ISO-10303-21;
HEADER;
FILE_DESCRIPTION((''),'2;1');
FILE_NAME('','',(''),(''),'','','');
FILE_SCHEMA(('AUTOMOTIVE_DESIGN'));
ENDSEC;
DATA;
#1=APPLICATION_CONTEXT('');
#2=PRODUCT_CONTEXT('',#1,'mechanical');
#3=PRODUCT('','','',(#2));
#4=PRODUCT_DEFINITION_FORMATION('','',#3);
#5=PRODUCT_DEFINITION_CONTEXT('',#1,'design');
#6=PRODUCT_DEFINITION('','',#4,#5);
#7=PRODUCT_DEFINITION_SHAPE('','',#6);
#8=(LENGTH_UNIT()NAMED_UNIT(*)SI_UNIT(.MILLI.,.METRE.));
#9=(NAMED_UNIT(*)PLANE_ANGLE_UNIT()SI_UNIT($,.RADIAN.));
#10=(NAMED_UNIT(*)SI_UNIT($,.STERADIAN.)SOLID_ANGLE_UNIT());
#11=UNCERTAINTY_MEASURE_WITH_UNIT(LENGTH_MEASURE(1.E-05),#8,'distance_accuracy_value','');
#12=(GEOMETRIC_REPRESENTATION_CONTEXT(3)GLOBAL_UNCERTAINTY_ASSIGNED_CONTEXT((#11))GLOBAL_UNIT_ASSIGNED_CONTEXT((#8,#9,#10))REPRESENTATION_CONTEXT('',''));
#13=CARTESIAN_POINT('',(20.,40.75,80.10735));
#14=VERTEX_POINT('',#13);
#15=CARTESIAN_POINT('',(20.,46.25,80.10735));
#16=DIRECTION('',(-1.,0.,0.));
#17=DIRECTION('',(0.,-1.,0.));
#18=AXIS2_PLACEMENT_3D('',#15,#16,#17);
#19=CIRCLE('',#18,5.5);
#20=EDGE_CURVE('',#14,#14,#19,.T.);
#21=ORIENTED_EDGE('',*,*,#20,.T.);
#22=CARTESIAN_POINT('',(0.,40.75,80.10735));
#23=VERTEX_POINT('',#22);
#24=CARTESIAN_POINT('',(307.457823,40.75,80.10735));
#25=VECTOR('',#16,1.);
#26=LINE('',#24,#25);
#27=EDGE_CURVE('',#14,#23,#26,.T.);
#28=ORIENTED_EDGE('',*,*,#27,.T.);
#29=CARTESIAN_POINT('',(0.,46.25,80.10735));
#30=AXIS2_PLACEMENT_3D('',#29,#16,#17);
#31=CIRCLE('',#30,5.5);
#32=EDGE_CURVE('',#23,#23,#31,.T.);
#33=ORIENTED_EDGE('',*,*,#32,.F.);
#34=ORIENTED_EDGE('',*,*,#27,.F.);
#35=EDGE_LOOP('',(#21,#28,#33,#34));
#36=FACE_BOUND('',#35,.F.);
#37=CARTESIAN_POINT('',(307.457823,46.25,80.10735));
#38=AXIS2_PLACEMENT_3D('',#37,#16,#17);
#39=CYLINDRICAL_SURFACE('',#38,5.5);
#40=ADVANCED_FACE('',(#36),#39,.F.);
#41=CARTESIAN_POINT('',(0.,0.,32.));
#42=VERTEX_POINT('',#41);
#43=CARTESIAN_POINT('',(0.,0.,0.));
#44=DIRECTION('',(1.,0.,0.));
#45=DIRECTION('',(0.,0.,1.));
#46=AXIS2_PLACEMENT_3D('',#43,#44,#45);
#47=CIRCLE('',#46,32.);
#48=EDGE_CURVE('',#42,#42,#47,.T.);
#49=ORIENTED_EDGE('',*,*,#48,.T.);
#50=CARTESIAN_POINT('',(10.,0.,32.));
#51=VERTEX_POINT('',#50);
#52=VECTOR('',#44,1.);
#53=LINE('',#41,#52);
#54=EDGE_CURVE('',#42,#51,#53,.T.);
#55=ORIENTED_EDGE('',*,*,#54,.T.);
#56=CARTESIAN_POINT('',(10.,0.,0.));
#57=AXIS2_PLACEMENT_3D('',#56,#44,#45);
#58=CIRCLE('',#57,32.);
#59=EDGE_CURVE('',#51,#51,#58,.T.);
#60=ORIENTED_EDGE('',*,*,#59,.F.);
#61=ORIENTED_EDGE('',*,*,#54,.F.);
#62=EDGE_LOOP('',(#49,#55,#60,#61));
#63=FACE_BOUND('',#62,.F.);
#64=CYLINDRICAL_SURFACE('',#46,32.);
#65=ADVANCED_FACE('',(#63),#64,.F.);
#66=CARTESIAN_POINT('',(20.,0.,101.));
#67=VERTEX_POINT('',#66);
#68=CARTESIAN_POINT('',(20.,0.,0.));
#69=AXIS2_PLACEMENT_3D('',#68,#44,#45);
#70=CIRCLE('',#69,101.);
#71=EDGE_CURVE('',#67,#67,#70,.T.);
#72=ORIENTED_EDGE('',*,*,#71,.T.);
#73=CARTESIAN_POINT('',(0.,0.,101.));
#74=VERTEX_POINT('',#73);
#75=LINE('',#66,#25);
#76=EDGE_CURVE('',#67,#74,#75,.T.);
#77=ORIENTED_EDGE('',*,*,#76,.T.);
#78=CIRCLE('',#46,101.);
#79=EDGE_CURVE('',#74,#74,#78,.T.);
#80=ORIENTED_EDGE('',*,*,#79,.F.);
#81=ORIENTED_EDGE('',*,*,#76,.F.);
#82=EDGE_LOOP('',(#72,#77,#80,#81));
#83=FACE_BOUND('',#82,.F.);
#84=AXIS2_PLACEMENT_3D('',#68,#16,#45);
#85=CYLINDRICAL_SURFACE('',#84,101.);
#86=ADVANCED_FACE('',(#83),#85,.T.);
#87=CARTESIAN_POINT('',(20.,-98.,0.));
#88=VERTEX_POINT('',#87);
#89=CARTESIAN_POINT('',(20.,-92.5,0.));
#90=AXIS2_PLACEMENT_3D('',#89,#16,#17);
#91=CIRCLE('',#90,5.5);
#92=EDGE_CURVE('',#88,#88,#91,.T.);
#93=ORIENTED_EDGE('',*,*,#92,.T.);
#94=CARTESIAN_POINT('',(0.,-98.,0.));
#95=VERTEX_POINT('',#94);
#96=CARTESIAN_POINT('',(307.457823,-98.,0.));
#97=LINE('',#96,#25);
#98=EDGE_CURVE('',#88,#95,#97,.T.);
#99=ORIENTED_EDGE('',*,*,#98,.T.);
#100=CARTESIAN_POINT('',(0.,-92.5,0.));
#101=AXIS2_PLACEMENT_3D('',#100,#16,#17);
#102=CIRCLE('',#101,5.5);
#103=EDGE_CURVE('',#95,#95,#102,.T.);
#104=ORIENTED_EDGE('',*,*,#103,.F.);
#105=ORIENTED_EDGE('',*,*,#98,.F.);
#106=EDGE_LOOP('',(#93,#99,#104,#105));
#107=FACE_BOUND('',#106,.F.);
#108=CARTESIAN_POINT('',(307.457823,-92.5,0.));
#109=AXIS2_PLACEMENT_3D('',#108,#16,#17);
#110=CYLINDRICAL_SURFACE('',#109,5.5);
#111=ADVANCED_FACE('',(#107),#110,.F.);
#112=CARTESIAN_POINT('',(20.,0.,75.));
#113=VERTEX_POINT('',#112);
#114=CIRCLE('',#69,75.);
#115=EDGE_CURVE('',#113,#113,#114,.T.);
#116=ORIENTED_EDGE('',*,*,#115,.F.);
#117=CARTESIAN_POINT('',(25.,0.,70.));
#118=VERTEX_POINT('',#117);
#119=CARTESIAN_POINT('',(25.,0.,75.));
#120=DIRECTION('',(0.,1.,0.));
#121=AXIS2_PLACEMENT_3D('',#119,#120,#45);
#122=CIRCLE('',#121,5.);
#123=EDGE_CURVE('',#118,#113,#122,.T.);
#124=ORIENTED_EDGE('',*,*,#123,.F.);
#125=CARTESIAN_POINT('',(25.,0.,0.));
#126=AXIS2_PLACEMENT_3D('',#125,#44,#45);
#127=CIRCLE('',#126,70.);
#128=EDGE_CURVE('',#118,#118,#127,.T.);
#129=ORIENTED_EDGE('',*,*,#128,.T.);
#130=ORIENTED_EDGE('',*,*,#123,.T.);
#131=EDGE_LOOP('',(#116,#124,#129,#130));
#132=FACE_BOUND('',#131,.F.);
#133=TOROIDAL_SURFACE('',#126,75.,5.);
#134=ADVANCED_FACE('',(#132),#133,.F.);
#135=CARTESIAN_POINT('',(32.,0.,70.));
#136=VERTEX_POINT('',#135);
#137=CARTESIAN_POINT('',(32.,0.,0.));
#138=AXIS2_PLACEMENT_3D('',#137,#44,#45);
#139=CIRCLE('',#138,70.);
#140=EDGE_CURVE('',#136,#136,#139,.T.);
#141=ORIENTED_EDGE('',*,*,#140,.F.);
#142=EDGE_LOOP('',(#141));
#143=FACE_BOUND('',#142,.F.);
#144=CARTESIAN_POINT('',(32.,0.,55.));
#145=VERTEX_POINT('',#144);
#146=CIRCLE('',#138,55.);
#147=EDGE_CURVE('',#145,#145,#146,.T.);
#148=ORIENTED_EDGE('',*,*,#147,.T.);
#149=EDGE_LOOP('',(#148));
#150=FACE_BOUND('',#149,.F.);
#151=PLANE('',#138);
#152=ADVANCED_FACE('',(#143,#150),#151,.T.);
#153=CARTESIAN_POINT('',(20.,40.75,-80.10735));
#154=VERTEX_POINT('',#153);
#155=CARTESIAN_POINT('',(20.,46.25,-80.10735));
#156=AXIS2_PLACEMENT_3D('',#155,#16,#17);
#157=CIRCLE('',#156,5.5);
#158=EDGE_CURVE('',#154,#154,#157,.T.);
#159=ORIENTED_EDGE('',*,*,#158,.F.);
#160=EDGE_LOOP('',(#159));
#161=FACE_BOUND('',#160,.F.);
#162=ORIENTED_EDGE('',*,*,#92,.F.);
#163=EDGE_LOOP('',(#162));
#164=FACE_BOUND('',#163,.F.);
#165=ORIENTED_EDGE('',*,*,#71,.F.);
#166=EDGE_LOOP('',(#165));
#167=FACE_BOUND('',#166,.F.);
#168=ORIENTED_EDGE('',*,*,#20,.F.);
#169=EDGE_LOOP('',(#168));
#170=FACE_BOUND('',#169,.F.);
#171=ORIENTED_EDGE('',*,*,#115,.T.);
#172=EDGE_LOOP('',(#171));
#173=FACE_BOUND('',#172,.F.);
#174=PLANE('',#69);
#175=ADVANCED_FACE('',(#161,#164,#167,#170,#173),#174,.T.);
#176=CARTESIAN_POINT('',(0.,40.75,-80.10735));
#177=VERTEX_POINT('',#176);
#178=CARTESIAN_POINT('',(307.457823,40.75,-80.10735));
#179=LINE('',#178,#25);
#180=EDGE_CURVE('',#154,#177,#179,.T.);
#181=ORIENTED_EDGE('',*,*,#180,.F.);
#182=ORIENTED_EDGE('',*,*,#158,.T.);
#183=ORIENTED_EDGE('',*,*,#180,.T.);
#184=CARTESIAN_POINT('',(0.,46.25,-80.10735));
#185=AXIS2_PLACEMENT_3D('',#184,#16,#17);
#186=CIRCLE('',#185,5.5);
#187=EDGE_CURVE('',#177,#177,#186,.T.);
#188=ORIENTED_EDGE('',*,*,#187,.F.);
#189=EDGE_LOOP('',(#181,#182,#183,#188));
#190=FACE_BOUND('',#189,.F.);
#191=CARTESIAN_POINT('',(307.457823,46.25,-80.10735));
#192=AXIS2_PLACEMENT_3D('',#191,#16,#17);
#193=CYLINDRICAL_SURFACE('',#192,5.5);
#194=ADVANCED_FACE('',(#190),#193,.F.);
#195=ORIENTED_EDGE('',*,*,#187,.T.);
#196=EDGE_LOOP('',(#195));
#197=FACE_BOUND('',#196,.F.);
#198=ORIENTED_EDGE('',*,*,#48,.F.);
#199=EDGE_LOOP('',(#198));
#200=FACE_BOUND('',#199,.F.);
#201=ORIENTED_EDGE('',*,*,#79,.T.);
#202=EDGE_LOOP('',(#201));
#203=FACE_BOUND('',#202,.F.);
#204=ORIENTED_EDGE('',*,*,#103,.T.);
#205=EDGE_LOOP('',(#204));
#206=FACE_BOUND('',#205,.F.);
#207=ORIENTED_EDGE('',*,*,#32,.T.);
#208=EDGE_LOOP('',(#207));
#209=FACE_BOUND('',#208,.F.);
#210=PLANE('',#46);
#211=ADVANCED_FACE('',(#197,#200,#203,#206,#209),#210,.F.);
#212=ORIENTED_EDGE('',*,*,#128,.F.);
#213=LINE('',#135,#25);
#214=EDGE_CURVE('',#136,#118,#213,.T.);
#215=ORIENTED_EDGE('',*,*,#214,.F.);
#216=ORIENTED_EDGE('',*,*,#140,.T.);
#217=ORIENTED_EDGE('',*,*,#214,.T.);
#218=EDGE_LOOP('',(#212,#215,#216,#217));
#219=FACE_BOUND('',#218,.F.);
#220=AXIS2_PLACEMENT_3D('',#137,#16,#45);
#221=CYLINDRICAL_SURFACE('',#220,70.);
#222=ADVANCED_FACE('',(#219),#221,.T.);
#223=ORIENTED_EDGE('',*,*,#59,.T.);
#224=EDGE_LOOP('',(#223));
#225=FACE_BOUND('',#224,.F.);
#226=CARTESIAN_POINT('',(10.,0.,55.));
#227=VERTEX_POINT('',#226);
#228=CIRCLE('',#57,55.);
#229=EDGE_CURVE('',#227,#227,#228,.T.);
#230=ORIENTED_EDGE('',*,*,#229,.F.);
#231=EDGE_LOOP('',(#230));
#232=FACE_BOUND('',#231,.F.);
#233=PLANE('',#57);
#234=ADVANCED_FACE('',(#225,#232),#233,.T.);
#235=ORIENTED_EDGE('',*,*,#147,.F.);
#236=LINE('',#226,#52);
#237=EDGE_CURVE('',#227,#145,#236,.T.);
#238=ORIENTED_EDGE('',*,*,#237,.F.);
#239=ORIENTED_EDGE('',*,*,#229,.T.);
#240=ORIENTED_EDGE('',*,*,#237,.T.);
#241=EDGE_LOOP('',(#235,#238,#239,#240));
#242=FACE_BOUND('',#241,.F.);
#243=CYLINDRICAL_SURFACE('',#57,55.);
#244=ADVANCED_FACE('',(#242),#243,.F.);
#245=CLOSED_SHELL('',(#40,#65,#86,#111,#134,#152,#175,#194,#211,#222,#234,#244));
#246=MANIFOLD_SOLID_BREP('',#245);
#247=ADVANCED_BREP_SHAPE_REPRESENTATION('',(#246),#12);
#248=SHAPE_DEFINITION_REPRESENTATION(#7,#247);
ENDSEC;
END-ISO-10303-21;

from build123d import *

# Parameters (mm, degrees)
F2_R = 5
F4_D = 11


with BuildPart() as f1:
    # F0 (on Front) → F1 (revolve)
    with BuildSketch(Plane.XZ):
        Polygon((0, 101), (0, 32), (10, 32), (10, 55), (32, 55), (32, 70), (20, 70), (20, 101), align=None)
    revolve(axis=Axis((86.927190423, 0, 0), (1, 0, 0)))

    # F2
    f2_edges = [f1.edges().sort_by_distance(p)[0] for p in [
        (20, 0, -70),
    ]]
    fillet(f2_edges, radius=F2_R)

    # F4 (through all)
    with Locations(Plane.YZ.offset(20)):
        with Locations((46.25, 80.1073498501), (-92.5, 0), (46.25, -80.1073498501)):
            Hole(F4_D / 2)


solid = f1.part
